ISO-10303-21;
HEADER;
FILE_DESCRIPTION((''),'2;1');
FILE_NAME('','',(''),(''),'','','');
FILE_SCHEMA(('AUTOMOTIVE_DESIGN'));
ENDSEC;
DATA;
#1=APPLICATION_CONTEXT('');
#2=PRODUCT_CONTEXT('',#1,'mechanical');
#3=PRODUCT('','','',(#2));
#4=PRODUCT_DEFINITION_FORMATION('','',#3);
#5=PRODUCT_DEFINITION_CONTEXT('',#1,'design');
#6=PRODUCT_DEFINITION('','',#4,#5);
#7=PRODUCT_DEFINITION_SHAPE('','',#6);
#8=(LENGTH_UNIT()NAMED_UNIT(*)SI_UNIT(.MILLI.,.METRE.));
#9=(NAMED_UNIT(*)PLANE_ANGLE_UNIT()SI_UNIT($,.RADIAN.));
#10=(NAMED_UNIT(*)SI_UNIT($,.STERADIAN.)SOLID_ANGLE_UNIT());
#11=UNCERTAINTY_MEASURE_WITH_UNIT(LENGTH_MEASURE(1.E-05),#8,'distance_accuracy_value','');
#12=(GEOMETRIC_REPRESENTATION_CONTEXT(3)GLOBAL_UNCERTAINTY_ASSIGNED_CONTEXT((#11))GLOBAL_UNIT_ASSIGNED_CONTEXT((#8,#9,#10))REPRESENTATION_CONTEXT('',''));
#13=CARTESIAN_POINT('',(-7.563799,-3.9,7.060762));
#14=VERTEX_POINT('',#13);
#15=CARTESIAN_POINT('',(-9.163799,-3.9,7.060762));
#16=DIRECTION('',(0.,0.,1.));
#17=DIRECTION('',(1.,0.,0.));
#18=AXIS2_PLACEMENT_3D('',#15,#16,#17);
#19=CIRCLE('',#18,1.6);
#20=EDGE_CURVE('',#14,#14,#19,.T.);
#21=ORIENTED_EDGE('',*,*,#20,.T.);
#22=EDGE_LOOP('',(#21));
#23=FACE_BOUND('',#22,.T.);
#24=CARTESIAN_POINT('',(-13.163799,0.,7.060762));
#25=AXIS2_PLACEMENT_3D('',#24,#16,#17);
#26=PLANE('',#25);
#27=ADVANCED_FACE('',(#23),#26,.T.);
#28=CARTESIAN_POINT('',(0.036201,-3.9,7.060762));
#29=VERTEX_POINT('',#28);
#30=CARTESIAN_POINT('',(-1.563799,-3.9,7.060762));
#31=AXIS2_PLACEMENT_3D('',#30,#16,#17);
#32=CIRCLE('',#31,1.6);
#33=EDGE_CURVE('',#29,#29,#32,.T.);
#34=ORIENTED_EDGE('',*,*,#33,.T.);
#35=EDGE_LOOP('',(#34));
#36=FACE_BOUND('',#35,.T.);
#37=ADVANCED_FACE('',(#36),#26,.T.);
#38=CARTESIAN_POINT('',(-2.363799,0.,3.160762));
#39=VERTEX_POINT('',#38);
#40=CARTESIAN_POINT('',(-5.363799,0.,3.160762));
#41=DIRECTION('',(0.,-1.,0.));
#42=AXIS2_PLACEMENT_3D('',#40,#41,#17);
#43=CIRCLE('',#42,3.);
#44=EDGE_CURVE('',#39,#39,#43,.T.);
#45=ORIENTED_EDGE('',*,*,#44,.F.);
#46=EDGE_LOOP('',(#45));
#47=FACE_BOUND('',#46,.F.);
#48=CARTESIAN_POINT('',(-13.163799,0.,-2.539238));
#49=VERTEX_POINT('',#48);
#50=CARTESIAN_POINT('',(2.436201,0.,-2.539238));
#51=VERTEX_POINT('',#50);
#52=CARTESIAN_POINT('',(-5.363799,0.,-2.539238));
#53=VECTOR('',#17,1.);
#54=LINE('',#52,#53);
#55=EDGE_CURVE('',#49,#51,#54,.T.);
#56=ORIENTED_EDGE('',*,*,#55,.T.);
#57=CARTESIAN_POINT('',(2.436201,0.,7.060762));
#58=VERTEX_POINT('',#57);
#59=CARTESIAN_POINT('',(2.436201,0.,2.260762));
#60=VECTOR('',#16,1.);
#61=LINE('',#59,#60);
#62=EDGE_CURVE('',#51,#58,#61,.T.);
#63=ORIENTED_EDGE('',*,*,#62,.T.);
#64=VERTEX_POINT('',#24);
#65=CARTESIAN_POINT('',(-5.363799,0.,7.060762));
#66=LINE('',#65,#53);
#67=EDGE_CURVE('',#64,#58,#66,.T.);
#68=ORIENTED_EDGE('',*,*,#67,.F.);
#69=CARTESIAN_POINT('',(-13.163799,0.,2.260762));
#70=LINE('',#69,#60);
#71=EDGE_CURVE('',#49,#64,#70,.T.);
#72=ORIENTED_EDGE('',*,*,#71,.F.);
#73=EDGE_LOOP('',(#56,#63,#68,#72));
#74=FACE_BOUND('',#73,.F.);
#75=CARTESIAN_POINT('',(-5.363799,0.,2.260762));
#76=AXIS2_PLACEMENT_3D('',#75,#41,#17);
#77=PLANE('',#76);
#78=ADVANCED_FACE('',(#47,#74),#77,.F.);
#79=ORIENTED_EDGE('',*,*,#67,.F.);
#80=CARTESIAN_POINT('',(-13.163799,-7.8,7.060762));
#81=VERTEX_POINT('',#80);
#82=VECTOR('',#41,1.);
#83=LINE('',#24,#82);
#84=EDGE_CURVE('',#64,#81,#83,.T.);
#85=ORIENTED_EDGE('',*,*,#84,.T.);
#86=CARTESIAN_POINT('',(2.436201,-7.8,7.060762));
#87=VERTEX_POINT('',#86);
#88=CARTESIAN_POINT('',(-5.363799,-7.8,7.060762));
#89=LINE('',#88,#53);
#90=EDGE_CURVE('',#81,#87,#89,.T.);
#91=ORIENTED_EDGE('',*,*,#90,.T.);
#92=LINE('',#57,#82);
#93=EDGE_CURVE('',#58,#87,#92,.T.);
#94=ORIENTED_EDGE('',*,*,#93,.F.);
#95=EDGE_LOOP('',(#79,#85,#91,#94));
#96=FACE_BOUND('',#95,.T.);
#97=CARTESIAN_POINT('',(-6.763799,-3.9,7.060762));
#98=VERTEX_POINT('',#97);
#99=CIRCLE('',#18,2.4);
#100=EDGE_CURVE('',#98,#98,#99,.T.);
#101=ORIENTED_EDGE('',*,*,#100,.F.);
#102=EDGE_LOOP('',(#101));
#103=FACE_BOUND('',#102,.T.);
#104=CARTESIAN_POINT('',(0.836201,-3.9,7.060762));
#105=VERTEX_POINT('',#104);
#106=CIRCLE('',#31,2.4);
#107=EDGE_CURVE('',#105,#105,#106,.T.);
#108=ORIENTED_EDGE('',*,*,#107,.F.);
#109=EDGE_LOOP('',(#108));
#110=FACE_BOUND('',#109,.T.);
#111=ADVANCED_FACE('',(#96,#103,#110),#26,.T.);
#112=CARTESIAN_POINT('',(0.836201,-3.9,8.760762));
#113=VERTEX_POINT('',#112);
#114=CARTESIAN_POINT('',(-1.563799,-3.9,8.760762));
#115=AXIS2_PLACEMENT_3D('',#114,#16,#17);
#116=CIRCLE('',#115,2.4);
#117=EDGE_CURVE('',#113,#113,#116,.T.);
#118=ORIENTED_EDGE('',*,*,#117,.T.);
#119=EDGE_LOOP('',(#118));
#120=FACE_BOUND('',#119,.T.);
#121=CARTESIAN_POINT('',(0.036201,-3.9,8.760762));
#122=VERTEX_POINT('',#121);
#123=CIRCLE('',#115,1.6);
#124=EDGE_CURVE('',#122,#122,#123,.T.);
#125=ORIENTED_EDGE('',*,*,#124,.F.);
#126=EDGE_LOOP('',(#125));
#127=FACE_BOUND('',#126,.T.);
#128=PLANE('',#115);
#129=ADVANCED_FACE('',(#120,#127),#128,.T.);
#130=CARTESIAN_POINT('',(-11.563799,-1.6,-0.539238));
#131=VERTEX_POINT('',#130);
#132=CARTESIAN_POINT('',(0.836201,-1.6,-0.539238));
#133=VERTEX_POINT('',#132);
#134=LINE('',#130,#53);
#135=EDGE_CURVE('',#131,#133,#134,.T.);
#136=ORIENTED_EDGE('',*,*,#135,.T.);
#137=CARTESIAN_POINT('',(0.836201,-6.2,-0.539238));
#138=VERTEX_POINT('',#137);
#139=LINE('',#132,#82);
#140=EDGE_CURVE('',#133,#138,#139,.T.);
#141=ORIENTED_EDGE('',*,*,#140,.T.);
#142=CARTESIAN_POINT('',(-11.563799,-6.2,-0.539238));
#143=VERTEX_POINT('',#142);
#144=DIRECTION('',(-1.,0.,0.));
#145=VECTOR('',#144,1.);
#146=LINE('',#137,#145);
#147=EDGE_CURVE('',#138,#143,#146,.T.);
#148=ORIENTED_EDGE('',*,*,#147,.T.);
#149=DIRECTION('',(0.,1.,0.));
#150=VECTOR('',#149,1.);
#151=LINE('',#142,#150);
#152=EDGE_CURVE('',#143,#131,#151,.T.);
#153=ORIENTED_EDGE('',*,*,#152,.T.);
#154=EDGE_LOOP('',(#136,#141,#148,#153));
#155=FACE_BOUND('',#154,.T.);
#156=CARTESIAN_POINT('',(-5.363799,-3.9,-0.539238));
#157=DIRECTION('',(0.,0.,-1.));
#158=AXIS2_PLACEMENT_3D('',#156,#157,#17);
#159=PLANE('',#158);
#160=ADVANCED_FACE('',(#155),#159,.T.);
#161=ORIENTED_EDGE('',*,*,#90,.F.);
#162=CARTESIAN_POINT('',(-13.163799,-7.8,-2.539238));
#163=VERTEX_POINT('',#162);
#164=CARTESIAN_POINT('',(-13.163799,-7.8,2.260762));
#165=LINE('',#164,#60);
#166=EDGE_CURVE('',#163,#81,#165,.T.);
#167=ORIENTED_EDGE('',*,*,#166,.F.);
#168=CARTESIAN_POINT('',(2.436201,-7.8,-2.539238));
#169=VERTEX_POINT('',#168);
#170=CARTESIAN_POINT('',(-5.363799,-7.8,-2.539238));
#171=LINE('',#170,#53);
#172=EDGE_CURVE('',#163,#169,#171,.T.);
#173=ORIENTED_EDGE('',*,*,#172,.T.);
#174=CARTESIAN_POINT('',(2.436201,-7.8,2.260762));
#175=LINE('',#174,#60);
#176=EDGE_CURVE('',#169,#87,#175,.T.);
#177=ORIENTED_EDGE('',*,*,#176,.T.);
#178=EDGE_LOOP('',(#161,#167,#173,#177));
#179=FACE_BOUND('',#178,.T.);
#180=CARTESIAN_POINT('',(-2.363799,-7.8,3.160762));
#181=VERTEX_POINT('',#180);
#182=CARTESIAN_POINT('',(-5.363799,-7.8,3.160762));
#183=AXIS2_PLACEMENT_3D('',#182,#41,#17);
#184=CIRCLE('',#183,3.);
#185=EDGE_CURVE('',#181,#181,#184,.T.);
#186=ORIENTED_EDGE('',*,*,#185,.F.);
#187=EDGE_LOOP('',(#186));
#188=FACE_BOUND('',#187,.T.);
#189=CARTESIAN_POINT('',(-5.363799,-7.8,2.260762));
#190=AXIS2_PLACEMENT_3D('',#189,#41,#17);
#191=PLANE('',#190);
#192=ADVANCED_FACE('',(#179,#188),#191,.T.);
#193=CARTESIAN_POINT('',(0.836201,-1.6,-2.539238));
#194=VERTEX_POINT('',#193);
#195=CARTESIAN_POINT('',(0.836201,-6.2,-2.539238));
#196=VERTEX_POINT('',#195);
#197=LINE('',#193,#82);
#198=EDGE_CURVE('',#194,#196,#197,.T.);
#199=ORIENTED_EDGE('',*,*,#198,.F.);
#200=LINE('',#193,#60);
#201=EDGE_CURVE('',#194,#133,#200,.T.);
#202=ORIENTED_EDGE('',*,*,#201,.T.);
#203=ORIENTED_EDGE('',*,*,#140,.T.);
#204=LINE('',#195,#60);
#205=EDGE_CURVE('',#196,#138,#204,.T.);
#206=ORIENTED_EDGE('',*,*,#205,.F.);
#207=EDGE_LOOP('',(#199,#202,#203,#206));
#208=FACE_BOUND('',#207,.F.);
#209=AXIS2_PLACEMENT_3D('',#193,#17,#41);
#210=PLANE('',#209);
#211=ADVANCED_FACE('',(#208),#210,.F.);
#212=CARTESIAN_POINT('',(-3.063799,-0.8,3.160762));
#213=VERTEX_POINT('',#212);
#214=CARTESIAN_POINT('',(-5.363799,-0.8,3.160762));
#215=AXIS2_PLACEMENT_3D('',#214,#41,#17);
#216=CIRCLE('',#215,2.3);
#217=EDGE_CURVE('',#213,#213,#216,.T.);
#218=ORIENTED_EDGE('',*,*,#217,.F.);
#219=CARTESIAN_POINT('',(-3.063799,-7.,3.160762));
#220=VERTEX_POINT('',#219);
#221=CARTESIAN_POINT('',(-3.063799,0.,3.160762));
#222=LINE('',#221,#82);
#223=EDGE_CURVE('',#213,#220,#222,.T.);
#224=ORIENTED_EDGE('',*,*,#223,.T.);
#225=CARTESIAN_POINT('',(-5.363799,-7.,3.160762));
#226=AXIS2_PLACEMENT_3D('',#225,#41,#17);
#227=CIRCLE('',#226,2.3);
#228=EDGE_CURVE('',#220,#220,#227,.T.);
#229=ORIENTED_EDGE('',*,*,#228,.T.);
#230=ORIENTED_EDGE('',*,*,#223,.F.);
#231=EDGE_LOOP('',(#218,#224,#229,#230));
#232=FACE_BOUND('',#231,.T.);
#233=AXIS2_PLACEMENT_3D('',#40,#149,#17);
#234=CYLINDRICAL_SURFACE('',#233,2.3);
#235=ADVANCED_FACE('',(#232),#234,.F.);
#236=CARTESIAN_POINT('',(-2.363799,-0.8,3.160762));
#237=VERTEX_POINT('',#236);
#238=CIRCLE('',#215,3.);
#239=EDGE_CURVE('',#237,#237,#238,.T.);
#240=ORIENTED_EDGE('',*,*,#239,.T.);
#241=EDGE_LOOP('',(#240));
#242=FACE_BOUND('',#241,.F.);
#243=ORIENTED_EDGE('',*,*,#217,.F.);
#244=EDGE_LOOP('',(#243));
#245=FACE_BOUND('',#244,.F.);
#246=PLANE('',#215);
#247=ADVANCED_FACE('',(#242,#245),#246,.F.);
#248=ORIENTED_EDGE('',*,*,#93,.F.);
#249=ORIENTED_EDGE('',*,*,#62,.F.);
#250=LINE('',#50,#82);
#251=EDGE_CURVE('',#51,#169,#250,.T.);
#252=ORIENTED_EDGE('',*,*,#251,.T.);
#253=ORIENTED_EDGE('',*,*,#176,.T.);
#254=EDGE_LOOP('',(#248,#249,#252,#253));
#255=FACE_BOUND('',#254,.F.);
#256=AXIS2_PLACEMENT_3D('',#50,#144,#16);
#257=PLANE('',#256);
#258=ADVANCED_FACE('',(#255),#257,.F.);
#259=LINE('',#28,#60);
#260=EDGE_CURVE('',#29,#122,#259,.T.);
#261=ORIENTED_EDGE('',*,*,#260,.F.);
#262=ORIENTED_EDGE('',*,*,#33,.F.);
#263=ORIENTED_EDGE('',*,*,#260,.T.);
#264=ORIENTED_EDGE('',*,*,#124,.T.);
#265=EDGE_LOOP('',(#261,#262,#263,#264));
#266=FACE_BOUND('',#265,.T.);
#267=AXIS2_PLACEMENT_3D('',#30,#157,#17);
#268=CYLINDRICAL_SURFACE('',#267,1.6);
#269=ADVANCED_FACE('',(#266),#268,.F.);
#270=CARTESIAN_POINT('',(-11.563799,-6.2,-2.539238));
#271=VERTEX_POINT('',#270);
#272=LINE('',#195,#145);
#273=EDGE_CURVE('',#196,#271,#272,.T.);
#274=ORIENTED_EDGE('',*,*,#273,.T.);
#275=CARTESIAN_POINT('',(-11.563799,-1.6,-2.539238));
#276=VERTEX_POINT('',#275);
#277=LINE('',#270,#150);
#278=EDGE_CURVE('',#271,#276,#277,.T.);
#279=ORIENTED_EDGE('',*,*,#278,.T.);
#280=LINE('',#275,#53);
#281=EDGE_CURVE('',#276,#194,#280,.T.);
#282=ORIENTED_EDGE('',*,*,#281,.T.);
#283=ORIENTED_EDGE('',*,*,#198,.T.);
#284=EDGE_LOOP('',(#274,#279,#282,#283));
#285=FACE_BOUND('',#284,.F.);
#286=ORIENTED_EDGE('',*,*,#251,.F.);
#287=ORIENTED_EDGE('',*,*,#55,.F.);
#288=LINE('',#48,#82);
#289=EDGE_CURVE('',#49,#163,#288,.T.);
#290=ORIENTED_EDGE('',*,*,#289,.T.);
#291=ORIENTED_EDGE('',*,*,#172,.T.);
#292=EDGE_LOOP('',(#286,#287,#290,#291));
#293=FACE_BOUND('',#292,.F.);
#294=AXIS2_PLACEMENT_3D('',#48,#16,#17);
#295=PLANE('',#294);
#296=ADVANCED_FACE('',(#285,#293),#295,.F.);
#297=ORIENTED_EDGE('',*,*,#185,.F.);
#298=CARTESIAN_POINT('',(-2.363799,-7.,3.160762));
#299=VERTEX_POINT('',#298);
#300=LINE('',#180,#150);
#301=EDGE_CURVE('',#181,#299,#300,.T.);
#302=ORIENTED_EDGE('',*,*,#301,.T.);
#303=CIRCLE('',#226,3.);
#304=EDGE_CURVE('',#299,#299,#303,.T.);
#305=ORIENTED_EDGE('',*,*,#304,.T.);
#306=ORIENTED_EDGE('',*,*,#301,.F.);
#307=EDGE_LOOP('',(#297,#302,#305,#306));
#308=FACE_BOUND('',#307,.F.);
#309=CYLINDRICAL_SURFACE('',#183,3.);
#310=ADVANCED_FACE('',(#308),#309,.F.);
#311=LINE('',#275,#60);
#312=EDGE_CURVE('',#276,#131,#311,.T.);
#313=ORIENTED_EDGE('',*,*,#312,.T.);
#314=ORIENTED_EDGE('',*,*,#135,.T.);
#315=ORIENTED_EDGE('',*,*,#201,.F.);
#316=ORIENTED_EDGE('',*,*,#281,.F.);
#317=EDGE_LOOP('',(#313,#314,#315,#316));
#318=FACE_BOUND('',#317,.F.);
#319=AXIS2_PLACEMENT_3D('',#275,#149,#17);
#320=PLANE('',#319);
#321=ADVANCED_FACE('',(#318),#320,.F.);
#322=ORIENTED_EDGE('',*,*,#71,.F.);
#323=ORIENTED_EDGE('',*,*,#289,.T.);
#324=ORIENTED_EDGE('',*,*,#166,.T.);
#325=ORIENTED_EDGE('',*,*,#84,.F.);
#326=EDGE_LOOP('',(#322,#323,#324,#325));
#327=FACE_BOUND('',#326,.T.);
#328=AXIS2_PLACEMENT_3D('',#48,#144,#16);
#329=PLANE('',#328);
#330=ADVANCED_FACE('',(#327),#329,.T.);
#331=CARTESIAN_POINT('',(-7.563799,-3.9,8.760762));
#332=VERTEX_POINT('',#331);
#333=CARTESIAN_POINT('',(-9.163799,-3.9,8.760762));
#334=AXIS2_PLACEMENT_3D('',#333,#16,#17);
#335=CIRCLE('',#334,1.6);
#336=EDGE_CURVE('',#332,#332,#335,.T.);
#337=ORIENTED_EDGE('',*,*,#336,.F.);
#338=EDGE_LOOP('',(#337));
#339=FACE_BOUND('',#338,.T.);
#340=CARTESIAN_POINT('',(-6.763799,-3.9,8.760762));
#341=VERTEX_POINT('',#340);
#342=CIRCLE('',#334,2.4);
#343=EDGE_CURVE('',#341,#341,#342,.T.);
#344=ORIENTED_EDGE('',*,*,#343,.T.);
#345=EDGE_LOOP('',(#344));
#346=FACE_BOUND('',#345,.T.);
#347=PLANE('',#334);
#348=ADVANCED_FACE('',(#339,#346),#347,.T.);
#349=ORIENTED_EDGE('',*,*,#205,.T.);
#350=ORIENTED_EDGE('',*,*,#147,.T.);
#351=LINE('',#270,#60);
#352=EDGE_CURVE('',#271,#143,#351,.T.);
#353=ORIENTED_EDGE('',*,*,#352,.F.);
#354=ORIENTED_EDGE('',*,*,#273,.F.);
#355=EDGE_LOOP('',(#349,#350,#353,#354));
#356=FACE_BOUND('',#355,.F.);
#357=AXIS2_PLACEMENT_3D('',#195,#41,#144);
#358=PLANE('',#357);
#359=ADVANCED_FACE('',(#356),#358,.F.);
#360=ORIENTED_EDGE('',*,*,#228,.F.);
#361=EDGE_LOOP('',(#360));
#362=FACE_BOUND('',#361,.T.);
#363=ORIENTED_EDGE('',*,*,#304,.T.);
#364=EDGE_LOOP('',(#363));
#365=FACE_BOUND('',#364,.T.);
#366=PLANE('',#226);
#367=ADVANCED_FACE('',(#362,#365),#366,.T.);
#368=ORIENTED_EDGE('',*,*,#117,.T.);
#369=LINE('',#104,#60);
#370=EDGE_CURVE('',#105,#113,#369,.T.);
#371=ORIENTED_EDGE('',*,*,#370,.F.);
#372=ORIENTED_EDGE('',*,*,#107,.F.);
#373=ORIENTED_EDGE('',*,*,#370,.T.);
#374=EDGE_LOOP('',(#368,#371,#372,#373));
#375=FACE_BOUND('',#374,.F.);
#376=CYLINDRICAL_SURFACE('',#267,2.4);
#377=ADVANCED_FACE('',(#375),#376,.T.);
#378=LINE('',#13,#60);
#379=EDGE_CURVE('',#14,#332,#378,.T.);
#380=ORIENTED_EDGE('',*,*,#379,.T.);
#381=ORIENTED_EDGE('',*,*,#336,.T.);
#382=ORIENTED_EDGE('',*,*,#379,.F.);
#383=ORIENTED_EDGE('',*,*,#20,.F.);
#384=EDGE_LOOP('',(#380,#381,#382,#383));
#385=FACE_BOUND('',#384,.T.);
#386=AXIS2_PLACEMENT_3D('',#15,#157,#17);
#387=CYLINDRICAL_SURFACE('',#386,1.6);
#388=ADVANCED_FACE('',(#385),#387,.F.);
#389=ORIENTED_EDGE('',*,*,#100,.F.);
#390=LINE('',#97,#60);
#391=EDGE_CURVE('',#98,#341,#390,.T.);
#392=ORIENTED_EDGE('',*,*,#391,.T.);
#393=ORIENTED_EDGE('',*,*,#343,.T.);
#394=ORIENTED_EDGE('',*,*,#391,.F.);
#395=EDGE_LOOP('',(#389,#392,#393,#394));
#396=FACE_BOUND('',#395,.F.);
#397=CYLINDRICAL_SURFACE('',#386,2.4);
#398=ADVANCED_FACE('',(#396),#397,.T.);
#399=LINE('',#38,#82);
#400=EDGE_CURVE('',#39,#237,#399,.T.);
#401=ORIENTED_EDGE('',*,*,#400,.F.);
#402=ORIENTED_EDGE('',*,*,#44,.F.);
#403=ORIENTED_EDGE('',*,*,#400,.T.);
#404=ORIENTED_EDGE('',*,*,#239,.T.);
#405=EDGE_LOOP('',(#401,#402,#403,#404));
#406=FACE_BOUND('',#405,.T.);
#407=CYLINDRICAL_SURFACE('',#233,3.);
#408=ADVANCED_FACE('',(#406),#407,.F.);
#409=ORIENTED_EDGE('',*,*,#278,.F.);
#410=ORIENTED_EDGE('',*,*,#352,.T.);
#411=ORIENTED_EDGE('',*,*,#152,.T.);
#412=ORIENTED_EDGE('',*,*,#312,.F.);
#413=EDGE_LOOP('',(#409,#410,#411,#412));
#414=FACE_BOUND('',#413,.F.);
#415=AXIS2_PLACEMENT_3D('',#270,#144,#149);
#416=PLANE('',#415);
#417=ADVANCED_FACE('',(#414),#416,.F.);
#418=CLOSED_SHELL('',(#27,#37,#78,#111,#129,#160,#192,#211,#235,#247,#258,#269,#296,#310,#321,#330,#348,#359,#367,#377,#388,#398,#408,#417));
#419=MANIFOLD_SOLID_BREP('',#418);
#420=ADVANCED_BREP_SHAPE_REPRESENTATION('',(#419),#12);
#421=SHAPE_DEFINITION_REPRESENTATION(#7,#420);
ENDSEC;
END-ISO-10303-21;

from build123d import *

# Parameters (mm, degrees)
F0_W     = 15.6
F0_H     = 9.6
F0_R     = 3
F0_R_2   = 2.3
F1_DEPTH = 7.8
F2_R     = 2.4
F2_R_2   = 1.6
F3_DEPTH = 1.7
F5_DEPTH = 2
F6_DEPTH = 0.8
F7_R     = 3
F7_R_2   = 2.3
F8_DEPTH = 0.8


with BuildPart() as f1:
    # F0 (on Front) → F1 (new body)
    with BuildSketch(Plane.XZ):
        with Locations((-5.3637987003, 2.2607615549)):
            Rectangle(F0_W, F0_H)
        with Locations((-5.3637987003, 3.1607615549)):
            Circle(F0_R, mode=Mode.SUBTRACT)
        with Locations((-5.3637987003, 3.1607615549)):
            Circle(F0_R)
        with Locations((-5.3637987003, 3.1607615549)):
            Circle(F0_R_2, mode=Mode.SUBTRACT)
    extrude(amount=F1_DEPTH)

    # F2 (on face) → F3 (join)
    with BuildSketch(Plane.XY.offset(7.0607615549)):
        with Locations((-1.5637987003, -3.9)):
            Circle(F2_R)
        with Locations((-1.5637987003, -3.9)):
            Circle(F2_R_2, mode=Mode.SUBTRACT)
        with Locations((-9.1637987003, -3.9)):
            Circle(F2_R)
        with Locations((-9.1637987003, -3.9)):
            Circle(F2_R_2, mode=Mode.SUBTRACT)
    extrude(amount=F3_DEPTH)

    # F4 (on face) → F5 (cut)
    with BuildSketch(Plane(origin=(0, 0, -2.5392384451), x_dir=(1, 0, 0), z_dir=(0, 0, -1))):
        Polygon((-11.5637987003, 6.2), (-11.5637987003, 3.9), (-11.5637987003, 1.6), (-5.3637987003, 1.6), (0.8362012997, 1.6), (0.8362012997, 3.9), (0.8362012997, 6.2), (-5.3637987003, 6.2), align=None)
    extrude(amount=-F5_DEPTH, mode=Mode.SUBTRACT)

    # F0 (on Front) → F6 (cut)
    with BuildSketch(Plane.XZ):
        with Locations((-5.3637987003, 3.1607615549)):
            Circle(F0_R)
        with Locations((-5.3637987003, 3.1607615549)):
            Circle(F0_R_2, mode=Mode.SUBTRACT)
    extrude(amount=F6_DEPTH, mode=Mode.SUBTRACT)

    # F7 (on face) → F8 (cut)
    with BuildSketch(Plane.XZ.offset(7.8)):
        with Locations((-5.3637987003, 3.1607615549)):
            Circle(F7_R)
        with Locations((-5.3637987003, 3.1607615549)):
            Circle(F7_R_2, mode=Mode.SUBTRACT)
    extrude(amount=-F8_DEPTH, mode=Mode.SUBTRACT)


solid = f1.part
